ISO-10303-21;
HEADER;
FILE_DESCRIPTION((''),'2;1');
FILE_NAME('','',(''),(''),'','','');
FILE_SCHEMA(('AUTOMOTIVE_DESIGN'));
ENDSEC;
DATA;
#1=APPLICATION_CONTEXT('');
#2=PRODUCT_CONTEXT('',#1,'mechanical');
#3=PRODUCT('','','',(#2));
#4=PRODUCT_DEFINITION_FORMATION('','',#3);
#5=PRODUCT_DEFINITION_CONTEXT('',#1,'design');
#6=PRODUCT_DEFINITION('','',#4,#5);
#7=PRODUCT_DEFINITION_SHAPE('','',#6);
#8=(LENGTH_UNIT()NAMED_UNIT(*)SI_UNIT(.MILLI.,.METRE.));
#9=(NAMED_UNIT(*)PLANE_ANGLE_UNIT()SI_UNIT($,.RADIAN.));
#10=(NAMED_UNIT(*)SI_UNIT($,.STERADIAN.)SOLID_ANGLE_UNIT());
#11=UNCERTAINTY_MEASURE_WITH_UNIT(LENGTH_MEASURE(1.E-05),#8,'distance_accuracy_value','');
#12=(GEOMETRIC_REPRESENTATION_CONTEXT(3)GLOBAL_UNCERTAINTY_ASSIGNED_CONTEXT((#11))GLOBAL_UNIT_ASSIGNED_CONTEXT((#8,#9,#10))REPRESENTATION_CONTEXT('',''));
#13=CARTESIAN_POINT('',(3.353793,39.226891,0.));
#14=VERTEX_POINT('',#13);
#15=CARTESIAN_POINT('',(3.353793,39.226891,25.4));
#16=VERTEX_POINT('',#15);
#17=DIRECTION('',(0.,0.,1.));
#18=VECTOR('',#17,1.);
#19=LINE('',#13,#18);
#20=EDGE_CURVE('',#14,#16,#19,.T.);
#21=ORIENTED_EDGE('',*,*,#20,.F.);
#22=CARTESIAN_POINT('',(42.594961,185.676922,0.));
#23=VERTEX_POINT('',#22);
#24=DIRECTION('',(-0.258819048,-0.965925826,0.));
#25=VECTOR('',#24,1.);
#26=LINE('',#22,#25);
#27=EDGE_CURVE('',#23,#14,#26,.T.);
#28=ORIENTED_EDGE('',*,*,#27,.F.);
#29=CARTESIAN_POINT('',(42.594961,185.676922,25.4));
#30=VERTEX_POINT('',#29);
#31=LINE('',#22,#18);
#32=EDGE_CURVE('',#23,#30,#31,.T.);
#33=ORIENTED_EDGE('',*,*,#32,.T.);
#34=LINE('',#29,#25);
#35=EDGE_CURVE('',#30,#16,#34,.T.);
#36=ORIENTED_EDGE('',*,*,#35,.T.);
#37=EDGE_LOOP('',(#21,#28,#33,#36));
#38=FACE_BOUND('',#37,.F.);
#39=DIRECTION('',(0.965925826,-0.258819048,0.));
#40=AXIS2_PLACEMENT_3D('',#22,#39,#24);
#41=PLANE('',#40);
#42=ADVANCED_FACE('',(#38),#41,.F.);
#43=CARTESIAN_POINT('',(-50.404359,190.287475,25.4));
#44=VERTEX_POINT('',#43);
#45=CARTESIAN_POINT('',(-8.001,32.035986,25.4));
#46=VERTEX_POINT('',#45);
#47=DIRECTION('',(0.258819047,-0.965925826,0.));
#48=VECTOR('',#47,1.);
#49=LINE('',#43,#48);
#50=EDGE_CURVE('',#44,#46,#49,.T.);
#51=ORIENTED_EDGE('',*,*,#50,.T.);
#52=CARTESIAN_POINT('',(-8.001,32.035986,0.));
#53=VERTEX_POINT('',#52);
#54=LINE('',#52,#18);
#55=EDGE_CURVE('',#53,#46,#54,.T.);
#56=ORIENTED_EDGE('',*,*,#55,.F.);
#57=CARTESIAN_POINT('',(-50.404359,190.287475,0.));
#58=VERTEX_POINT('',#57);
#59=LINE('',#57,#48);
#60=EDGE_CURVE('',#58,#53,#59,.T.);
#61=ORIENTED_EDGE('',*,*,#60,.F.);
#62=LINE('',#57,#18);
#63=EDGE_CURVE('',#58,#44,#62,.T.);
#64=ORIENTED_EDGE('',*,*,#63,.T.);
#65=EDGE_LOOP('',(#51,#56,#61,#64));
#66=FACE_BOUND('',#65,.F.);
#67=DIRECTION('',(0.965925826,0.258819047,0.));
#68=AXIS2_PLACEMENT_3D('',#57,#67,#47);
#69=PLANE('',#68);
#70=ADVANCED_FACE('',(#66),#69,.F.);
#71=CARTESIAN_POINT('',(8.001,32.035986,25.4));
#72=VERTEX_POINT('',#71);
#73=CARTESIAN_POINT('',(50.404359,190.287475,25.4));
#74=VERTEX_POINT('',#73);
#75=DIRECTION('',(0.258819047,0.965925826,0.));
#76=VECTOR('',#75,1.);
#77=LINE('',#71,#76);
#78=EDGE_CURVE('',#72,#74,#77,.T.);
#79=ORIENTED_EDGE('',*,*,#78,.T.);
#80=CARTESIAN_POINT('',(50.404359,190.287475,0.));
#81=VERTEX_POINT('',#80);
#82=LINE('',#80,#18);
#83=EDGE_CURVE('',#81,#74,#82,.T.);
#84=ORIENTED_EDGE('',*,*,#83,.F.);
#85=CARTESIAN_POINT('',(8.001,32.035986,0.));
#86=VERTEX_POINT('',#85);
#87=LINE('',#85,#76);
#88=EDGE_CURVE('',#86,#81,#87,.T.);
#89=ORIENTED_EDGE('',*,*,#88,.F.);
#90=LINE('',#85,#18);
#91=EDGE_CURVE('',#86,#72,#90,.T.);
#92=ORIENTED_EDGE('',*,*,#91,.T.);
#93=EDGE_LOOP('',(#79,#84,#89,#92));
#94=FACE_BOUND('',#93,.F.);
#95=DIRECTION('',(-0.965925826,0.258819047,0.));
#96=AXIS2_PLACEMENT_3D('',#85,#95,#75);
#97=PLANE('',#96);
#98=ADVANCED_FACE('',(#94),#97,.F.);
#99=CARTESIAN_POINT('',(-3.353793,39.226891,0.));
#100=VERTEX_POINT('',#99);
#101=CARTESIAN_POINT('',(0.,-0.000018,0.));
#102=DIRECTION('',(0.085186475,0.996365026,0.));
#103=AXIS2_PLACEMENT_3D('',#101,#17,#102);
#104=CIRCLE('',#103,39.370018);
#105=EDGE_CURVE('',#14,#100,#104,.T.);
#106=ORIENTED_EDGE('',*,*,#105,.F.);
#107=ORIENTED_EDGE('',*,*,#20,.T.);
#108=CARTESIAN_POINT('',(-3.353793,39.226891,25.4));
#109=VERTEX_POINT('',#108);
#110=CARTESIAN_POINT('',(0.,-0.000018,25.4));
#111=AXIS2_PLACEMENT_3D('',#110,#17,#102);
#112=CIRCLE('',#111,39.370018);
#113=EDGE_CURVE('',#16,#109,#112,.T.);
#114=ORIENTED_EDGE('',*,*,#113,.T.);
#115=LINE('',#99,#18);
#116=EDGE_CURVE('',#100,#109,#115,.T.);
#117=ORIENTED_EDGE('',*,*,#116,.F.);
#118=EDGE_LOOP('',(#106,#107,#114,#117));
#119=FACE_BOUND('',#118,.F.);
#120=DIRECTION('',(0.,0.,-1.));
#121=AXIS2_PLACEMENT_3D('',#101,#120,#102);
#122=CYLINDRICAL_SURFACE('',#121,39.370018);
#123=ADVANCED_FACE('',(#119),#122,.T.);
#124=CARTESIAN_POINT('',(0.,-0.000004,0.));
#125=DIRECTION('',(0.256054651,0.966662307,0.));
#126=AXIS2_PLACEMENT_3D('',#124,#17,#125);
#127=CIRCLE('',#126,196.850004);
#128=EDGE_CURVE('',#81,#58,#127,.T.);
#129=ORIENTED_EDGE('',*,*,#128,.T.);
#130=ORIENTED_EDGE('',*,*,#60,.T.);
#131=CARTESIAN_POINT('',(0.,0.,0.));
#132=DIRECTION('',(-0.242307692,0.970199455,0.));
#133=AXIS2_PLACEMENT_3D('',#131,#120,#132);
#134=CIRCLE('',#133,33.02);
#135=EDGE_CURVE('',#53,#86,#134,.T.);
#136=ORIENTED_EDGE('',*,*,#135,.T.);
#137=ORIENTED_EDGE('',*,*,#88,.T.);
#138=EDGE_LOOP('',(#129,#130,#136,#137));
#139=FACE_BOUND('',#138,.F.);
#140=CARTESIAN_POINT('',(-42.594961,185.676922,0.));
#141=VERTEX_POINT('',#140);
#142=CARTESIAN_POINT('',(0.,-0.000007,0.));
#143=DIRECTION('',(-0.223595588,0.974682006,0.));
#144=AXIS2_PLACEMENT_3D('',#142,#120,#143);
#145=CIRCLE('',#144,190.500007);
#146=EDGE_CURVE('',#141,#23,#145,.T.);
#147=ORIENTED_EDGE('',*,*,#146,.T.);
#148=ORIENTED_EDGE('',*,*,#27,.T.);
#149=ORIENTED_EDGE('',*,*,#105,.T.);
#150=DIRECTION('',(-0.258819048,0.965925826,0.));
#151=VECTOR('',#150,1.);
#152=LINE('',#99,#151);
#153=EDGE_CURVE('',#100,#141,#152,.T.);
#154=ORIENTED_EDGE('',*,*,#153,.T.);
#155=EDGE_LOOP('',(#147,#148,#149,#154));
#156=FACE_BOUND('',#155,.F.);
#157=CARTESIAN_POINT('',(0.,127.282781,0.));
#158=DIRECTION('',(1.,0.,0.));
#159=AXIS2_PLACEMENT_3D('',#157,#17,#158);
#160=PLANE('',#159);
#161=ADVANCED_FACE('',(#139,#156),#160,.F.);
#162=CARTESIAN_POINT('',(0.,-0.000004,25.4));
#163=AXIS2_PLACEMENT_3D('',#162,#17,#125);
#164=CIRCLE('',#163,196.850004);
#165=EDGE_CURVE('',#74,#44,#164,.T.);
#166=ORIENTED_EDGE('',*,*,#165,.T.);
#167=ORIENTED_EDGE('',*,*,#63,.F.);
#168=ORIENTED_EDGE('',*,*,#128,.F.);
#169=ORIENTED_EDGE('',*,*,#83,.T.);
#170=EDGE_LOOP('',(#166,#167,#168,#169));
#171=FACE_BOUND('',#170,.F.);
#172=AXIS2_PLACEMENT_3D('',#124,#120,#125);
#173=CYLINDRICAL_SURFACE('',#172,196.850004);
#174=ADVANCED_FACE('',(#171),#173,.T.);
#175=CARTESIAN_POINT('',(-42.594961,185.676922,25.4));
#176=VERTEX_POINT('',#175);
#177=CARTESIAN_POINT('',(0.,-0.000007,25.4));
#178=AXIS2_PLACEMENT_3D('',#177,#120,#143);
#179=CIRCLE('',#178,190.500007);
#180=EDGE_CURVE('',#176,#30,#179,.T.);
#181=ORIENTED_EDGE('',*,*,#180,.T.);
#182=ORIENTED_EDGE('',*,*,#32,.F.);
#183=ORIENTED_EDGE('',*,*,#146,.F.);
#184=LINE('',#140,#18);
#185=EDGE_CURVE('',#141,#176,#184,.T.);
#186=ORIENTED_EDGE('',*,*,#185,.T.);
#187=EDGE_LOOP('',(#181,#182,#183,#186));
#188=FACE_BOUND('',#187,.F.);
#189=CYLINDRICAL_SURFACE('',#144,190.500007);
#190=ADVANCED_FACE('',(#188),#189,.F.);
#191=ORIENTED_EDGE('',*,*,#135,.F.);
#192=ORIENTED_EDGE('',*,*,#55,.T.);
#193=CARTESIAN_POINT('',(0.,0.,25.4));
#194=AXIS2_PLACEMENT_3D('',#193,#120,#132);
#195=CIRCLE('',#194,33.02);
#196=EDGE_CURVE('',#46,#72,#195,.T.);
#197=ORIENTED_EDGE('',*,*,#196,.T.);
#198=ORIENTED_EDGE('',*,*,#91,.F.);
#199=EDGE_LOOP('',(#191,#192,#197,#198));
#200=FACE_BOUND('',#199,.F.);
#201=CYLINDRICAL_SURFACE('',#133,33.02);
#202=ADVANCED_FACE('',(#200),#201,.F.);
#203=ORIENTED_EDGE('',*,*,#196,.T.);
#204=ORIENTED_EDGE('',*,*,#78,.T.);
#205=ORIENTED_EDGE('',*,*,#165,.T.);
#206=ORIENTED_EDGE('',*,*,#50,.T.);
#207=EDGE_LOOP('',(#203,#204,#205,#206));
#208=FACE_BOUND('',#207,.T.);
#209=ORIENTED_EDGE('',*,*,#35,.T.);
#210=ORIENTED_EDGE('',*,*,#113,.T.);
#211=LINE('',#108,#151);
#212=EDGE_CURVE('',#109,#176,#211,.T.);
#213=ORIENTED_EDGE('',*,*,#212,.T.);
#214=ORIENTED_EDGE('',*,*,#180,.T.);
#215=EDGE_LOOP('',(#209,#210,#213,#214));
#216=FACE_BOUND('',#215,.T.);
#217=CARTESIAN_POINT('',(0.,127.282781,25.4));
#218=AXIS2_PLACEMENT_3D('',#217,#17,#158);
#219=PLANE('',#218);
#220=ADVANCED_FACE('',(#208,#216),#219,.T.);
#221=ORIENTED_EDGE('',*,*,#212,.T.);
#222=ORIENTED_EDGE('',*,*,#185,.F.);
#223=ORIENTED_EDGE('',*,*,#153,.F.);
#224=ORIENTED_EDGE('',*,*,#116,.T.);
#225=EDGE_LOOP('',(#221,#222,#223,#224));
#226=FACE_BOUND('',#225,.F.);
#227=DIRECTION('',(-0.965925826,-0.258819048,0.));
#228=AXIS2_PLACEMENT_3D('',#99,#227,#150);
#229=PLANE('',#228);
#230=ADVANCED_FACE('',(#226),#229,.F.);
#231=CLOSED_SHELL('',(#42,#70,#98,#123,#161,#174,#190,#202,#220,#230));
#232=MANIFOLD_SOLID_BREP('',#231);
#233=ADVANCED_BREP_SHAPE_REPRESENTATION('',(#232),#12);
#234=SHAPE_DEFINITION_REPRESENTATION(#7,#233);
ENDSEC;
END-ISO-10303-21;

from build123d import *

# Parameters (mm, degrees)
F1_DEPTH = 25.4


with BuildPart() as f1:
    # F0 (on Top) → F1 (new body)
    with BuildSketch(Plane.XY):
        with BuildLine():
            ThreePointArc((-8.001, 32.035986), (0, 33.02), (8.001, 32.035986))
            Line((8.001, 32.035986), (50.404359, 190.287475))
            ThreePointArc((50.404359, 190.287475), (0, 196.85), (-50.404359, 190.287475))
            Line((-50.404359, 190.287475), (-8.001, 32.035986))
        make_face()
        with BuildLine():
            Line((42.594961, 185.676922), (3.353793, 39.226891))
            ThreePointArc((3.353793, 39.226891), (0, 39.37), (-3.353793, 39.226891))
            Line((-3.353793, 39.226891), (-42.594961, 185.676922))
            ThreePointArc((-42.594961, 185.676922), (0, 190.5), (42.594961, 185.676922))
        make_face(mode=Mode.SUBTRACT)
    extrude(amount=F1_DEPTH)


solid = f1.part
